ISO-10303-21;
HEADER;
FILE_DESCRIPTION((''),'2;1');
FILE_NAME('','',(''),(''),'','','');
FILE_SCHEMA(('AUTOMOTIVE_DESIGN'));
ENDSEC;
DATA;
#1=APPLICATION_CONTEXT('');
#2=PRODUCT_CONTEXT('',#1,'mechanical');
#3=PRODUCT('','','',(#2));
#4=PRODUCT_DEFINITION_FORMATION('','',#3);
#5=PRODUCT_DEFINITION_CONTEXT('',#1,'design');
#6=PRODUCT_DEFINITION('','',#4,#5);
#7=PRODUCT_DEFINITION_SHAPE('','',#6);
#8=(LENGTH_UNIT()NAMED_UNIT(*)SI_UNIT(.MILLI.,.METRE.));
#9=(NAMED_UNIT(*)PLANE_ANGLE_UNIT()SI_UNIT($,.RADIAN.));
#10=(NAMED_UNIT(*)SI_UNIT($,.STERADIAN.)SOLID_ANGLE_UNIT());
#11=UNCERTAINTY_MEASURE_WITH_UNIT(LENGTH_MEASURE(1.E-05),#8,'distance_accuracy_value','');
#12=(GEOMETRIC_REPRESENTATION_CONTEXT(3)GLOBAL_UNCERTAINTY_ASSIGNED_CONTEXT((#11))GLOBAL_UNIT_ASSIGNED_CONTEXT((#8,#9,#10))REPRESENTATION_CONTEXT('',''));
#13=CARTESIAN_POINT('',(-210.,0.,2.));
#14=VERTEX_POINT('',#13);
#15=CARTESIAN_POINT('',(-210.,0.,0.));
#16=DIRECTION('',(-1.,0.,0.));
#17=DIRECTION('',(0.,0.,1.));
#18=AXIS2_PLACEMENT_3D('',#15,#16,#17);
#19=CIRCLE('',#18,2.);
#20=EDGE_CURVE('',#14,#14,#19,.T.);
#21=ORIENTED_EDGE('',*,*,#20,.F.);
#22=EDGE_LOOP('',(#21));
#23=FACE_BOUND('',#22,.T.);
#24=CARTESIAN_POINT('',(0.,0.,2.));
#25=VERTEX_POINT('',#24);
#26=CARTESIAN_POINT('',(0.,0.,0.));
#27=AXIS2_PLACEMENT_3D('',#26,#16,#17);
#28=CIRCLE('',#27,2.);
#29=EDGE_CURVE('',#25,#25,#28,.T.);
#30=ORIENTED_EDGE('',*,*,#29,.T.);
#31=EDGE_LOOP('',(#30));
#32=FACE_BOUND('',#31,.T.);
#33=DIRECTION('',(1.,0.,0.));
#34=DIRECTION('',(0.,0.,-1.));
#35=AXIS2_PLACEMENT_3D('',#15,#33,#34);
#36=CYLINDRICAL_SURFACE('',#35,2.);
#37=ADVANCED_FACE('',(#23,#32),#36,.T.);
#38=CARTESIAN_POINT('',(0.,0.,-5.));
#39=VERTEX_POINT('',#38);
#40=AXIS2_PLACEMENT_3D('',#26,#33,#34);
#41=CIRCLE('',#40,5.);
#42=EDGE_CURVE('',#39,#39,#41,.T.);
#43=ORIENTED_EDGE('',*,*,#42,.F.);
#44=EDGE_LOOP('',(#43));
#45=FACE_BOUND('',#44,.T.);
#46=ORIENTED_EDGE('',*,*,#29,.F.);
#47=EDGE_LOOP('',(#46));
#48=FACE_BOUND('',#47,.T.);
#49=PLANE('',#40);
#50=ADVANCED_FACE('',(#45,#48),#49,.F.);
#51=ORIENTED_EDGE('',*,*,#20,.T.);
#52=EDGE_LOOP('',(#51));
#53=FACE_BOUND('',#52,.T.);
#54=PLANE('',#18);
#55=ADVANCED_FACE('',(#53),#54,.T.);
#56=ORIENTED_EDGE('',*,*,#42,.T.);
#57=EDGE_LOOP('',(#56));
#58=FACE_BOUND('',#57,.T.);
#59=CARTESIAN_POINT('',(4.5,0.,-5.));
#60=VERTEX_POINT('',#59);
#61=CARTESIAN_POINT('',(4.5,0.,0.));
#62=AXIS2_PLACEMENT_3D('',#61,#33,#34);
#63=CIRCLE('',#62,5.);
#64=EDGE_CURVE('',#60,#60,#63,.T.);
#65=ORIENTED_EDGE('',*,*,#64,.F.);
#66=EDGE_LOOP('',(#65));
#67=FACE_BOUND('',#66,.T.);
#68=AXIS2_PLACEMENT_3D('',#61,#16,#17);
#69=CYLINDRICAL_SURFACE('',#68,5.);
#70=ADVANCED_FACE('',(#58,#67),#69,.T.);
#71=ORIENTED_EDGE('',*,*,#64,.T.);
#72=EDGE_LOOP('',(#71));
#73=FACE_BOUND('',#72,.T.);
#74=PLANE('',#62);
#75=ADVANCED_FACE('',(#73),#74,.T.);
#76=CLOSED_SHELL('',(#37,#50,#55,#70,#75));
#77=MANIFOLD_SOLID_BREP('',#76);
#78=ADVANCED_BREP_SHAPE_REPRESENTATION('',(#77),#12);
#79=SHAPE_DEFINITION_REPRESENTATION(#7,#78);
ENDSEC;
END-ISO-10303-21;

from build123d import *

# Parameters (mm, degrees)
SKETCH_1_R      = 5
EXTRUDE_1_DEPTH = 4.5
SKETCH_2_R      = 2
EXTRUDE_2_DEPTH = 210


with BuildPart() as part:
    # 草图1 → 凸台-拉伸1 (new body)
    with BuildSketch(Plane(origin=(0, 0, 0), x_dir=(0, 0, -1), z_dir=(1, 0, 0))):
        Circle(SKETCH_1_R)
    extrude(amount=EXTRUDE_1_DEPTH)

    # 草图2 → 凸台-拉伸2 (add)
    with BuildSketch(Plane.ZY):
        Circle(SKETCH_2_R)
    extrude(amount=EXTRUDE_2_DEPTH)


solid = part.part
